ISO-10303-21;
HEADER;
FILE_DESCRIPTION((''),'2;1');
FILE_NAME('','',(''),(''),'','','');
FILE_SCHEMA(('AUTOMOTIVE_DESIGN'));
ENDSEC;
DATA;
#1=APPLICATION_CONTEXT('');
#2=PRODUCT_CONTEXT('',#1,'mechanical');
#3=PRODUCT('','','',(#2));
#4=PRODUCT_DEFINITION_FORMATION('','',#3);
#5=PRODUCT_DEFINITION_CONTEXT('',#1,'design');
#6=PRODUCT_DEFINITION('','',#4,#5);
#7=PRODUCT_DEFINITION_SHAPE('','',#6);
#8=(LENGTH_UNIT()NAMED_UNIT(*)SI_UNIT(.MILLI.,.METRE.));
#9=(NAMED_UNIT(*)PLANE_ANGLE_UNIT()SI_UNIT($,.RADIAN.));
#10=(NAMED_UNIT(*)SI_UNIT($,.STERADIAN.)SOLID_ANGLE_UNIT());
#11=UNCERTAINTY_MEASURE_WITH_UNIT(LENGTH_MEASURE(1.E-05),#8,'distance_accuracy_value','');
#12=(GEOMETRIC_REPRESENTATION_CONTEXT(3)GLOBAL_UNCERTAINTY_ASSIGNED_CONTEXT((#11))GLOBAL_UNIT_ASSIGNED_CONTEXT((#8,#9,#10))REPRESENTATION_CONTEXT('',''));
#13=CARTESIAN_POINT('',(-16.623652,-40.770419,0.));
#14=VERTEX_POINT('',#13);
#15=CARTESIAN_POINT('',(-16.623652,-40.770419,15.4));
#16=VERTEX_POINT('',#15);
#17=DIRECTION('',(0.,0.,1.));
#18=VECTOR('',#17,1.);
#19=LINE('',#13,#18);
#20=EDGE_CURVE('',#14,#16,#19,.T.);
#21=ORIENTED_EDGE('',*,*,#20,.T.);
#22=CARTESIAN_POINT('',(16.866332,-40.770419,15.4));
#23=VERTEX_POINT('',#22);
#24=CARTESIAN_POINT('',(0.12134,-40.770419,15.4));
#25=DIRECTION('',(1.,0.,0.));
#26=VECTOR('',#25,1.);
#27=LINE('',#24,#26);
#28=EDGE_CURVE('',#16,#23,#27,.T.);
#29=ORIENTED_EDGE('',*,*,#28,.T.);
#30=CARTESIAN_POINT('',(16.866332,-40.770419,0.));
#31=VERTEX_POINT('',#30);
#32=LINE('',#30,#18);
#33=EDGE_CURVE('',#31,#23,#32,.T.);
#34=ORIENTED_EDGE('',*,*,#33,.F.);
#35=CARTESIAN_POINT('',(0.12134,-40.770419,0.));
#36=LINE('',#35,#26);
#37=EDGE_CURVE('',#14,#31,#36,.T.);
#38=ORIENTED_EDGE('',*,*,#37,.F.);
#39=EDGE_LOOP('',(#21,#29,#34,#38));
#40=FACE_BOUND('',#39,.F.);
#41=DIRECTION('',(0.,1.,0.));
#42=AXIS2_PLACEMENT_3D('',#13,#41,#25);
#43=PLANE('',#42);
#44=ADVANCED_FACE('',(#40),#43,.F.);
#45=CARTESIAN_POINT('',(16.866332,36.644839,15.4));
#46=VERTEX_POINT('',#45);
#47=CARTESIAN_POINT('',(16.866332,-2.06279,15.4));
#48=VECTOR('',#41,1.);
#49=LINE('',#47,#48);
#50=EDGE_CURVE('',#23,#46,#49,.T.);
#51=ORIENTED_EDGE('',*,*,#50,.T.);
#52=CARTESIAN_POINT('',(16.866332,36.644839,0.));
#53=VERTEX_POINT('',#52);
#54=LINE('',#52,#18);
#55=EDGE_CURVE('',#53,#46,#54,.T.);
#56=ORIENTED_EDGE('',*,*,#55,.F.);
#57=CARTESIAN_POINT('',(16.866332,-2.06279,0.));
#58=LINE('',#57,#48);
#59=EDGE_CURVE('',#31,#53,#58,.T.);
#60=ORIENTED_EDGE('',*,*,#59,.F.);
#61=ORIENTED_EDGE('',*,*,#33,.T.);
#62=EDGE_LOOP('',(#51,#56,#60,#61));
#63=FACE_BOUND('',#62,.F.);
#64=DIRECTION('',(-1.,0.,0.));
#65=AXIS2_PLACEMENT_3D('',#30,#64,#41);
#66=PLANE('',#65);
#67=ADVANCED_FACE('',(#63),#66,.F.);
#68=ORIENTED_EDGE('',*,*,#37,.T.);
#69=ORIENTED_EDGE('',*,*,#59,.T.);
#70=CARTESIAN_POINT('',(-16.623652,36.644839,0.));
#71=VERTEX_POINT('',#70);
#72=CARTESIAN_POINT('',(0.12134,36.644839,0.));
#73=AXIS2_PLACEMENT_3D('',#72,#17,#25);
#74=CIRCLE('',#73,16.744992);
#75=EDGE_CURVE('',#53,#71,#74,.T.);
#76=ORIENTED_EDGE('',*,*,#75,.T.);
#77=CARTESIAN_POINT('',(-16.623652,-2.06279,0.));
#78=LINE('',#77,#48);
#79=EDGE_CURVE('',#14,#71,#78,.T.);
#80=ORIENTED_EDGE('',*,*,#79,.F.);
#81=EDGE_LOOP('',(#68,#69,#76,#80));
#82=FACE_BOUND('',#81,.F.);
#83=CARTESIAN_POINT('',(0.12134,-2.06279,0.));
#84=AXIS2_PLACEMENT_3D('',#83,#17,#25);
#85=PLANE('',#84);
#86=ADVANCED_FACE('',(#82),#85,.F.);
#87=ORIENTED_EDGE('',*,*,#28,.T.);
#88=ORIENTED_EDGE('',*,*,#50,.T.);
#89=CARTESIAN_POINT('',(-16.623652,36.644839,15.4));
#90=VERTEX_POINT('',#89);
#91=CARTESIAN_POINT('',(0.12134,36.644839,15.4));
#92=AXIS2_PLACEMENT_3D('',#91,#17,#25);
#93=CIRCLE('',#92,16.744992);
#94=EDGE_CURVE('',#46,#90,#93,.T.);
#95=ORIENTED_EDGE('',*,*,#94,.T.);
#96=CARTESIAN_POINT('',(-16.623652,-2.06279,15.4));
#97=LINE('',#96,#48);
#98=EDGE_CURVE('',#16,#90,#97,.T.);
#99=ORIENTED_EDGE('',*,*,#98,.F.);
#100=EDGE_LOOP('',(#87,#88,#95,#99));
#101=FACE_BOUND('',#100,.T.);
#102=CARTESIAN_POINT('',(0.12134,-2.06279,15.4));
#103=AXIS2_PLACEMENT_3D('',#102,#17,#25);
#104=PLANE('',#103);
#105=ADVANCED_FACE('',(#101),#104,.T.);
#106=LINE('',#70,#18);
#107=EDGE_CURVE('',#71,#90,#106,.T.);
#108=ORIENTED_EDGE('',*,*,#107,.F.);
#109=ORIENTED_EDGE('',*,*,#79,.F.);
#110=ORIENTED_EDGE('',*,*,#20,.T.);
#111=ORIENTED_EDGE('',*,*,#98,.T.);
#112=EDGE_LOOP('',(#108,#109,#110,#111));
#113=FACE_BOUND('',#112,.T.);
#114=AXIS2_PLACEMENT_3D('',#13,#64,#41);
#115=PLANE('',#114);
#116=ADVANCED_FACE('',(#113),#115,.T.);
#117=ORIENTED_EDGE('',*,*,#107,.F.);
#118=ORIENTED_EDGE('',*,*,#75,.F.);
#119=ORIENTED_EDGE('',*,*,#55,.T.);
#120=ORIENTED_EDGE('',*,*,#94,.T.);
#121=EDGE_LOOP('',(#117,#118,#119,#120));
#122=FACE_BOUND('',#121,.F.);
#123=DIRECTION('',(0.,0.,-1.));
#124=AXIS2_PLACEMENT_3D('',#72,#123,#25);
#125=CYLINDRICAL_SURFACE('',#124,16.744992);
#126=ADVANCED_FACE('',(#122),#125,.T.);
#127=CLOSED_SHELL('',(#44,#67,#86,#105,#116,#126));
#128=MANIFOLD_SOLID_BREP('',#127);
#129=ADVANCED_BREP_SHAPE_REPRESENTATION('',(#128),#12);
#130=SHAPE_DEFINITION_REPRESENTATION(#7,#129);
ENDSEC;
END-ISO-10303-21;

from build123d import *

# Parameters (mm, degrees)
F0_W     = 33.489984
F0_H     = 77.415258
F1_DEPTH = 15.4


with BuildPart() as f1:
    # F0 (on Top) → F1 (new body)
    with BuildSketch(Plane.XY):
        with Locations((0.12134, -2.06279)):
            Rectangle(F0_W, F0_H)
        with BuildLine():
            ThreePointArc((16.866332, 36.644839), (0.12134, 53.389831), (-16.623652, 36.644839))
            Line((-16.623652, 36.644839), (16.866332, 36.644839))
        make_face()
    extrude(amount=F1_DEPTH)


solid = f1.part
